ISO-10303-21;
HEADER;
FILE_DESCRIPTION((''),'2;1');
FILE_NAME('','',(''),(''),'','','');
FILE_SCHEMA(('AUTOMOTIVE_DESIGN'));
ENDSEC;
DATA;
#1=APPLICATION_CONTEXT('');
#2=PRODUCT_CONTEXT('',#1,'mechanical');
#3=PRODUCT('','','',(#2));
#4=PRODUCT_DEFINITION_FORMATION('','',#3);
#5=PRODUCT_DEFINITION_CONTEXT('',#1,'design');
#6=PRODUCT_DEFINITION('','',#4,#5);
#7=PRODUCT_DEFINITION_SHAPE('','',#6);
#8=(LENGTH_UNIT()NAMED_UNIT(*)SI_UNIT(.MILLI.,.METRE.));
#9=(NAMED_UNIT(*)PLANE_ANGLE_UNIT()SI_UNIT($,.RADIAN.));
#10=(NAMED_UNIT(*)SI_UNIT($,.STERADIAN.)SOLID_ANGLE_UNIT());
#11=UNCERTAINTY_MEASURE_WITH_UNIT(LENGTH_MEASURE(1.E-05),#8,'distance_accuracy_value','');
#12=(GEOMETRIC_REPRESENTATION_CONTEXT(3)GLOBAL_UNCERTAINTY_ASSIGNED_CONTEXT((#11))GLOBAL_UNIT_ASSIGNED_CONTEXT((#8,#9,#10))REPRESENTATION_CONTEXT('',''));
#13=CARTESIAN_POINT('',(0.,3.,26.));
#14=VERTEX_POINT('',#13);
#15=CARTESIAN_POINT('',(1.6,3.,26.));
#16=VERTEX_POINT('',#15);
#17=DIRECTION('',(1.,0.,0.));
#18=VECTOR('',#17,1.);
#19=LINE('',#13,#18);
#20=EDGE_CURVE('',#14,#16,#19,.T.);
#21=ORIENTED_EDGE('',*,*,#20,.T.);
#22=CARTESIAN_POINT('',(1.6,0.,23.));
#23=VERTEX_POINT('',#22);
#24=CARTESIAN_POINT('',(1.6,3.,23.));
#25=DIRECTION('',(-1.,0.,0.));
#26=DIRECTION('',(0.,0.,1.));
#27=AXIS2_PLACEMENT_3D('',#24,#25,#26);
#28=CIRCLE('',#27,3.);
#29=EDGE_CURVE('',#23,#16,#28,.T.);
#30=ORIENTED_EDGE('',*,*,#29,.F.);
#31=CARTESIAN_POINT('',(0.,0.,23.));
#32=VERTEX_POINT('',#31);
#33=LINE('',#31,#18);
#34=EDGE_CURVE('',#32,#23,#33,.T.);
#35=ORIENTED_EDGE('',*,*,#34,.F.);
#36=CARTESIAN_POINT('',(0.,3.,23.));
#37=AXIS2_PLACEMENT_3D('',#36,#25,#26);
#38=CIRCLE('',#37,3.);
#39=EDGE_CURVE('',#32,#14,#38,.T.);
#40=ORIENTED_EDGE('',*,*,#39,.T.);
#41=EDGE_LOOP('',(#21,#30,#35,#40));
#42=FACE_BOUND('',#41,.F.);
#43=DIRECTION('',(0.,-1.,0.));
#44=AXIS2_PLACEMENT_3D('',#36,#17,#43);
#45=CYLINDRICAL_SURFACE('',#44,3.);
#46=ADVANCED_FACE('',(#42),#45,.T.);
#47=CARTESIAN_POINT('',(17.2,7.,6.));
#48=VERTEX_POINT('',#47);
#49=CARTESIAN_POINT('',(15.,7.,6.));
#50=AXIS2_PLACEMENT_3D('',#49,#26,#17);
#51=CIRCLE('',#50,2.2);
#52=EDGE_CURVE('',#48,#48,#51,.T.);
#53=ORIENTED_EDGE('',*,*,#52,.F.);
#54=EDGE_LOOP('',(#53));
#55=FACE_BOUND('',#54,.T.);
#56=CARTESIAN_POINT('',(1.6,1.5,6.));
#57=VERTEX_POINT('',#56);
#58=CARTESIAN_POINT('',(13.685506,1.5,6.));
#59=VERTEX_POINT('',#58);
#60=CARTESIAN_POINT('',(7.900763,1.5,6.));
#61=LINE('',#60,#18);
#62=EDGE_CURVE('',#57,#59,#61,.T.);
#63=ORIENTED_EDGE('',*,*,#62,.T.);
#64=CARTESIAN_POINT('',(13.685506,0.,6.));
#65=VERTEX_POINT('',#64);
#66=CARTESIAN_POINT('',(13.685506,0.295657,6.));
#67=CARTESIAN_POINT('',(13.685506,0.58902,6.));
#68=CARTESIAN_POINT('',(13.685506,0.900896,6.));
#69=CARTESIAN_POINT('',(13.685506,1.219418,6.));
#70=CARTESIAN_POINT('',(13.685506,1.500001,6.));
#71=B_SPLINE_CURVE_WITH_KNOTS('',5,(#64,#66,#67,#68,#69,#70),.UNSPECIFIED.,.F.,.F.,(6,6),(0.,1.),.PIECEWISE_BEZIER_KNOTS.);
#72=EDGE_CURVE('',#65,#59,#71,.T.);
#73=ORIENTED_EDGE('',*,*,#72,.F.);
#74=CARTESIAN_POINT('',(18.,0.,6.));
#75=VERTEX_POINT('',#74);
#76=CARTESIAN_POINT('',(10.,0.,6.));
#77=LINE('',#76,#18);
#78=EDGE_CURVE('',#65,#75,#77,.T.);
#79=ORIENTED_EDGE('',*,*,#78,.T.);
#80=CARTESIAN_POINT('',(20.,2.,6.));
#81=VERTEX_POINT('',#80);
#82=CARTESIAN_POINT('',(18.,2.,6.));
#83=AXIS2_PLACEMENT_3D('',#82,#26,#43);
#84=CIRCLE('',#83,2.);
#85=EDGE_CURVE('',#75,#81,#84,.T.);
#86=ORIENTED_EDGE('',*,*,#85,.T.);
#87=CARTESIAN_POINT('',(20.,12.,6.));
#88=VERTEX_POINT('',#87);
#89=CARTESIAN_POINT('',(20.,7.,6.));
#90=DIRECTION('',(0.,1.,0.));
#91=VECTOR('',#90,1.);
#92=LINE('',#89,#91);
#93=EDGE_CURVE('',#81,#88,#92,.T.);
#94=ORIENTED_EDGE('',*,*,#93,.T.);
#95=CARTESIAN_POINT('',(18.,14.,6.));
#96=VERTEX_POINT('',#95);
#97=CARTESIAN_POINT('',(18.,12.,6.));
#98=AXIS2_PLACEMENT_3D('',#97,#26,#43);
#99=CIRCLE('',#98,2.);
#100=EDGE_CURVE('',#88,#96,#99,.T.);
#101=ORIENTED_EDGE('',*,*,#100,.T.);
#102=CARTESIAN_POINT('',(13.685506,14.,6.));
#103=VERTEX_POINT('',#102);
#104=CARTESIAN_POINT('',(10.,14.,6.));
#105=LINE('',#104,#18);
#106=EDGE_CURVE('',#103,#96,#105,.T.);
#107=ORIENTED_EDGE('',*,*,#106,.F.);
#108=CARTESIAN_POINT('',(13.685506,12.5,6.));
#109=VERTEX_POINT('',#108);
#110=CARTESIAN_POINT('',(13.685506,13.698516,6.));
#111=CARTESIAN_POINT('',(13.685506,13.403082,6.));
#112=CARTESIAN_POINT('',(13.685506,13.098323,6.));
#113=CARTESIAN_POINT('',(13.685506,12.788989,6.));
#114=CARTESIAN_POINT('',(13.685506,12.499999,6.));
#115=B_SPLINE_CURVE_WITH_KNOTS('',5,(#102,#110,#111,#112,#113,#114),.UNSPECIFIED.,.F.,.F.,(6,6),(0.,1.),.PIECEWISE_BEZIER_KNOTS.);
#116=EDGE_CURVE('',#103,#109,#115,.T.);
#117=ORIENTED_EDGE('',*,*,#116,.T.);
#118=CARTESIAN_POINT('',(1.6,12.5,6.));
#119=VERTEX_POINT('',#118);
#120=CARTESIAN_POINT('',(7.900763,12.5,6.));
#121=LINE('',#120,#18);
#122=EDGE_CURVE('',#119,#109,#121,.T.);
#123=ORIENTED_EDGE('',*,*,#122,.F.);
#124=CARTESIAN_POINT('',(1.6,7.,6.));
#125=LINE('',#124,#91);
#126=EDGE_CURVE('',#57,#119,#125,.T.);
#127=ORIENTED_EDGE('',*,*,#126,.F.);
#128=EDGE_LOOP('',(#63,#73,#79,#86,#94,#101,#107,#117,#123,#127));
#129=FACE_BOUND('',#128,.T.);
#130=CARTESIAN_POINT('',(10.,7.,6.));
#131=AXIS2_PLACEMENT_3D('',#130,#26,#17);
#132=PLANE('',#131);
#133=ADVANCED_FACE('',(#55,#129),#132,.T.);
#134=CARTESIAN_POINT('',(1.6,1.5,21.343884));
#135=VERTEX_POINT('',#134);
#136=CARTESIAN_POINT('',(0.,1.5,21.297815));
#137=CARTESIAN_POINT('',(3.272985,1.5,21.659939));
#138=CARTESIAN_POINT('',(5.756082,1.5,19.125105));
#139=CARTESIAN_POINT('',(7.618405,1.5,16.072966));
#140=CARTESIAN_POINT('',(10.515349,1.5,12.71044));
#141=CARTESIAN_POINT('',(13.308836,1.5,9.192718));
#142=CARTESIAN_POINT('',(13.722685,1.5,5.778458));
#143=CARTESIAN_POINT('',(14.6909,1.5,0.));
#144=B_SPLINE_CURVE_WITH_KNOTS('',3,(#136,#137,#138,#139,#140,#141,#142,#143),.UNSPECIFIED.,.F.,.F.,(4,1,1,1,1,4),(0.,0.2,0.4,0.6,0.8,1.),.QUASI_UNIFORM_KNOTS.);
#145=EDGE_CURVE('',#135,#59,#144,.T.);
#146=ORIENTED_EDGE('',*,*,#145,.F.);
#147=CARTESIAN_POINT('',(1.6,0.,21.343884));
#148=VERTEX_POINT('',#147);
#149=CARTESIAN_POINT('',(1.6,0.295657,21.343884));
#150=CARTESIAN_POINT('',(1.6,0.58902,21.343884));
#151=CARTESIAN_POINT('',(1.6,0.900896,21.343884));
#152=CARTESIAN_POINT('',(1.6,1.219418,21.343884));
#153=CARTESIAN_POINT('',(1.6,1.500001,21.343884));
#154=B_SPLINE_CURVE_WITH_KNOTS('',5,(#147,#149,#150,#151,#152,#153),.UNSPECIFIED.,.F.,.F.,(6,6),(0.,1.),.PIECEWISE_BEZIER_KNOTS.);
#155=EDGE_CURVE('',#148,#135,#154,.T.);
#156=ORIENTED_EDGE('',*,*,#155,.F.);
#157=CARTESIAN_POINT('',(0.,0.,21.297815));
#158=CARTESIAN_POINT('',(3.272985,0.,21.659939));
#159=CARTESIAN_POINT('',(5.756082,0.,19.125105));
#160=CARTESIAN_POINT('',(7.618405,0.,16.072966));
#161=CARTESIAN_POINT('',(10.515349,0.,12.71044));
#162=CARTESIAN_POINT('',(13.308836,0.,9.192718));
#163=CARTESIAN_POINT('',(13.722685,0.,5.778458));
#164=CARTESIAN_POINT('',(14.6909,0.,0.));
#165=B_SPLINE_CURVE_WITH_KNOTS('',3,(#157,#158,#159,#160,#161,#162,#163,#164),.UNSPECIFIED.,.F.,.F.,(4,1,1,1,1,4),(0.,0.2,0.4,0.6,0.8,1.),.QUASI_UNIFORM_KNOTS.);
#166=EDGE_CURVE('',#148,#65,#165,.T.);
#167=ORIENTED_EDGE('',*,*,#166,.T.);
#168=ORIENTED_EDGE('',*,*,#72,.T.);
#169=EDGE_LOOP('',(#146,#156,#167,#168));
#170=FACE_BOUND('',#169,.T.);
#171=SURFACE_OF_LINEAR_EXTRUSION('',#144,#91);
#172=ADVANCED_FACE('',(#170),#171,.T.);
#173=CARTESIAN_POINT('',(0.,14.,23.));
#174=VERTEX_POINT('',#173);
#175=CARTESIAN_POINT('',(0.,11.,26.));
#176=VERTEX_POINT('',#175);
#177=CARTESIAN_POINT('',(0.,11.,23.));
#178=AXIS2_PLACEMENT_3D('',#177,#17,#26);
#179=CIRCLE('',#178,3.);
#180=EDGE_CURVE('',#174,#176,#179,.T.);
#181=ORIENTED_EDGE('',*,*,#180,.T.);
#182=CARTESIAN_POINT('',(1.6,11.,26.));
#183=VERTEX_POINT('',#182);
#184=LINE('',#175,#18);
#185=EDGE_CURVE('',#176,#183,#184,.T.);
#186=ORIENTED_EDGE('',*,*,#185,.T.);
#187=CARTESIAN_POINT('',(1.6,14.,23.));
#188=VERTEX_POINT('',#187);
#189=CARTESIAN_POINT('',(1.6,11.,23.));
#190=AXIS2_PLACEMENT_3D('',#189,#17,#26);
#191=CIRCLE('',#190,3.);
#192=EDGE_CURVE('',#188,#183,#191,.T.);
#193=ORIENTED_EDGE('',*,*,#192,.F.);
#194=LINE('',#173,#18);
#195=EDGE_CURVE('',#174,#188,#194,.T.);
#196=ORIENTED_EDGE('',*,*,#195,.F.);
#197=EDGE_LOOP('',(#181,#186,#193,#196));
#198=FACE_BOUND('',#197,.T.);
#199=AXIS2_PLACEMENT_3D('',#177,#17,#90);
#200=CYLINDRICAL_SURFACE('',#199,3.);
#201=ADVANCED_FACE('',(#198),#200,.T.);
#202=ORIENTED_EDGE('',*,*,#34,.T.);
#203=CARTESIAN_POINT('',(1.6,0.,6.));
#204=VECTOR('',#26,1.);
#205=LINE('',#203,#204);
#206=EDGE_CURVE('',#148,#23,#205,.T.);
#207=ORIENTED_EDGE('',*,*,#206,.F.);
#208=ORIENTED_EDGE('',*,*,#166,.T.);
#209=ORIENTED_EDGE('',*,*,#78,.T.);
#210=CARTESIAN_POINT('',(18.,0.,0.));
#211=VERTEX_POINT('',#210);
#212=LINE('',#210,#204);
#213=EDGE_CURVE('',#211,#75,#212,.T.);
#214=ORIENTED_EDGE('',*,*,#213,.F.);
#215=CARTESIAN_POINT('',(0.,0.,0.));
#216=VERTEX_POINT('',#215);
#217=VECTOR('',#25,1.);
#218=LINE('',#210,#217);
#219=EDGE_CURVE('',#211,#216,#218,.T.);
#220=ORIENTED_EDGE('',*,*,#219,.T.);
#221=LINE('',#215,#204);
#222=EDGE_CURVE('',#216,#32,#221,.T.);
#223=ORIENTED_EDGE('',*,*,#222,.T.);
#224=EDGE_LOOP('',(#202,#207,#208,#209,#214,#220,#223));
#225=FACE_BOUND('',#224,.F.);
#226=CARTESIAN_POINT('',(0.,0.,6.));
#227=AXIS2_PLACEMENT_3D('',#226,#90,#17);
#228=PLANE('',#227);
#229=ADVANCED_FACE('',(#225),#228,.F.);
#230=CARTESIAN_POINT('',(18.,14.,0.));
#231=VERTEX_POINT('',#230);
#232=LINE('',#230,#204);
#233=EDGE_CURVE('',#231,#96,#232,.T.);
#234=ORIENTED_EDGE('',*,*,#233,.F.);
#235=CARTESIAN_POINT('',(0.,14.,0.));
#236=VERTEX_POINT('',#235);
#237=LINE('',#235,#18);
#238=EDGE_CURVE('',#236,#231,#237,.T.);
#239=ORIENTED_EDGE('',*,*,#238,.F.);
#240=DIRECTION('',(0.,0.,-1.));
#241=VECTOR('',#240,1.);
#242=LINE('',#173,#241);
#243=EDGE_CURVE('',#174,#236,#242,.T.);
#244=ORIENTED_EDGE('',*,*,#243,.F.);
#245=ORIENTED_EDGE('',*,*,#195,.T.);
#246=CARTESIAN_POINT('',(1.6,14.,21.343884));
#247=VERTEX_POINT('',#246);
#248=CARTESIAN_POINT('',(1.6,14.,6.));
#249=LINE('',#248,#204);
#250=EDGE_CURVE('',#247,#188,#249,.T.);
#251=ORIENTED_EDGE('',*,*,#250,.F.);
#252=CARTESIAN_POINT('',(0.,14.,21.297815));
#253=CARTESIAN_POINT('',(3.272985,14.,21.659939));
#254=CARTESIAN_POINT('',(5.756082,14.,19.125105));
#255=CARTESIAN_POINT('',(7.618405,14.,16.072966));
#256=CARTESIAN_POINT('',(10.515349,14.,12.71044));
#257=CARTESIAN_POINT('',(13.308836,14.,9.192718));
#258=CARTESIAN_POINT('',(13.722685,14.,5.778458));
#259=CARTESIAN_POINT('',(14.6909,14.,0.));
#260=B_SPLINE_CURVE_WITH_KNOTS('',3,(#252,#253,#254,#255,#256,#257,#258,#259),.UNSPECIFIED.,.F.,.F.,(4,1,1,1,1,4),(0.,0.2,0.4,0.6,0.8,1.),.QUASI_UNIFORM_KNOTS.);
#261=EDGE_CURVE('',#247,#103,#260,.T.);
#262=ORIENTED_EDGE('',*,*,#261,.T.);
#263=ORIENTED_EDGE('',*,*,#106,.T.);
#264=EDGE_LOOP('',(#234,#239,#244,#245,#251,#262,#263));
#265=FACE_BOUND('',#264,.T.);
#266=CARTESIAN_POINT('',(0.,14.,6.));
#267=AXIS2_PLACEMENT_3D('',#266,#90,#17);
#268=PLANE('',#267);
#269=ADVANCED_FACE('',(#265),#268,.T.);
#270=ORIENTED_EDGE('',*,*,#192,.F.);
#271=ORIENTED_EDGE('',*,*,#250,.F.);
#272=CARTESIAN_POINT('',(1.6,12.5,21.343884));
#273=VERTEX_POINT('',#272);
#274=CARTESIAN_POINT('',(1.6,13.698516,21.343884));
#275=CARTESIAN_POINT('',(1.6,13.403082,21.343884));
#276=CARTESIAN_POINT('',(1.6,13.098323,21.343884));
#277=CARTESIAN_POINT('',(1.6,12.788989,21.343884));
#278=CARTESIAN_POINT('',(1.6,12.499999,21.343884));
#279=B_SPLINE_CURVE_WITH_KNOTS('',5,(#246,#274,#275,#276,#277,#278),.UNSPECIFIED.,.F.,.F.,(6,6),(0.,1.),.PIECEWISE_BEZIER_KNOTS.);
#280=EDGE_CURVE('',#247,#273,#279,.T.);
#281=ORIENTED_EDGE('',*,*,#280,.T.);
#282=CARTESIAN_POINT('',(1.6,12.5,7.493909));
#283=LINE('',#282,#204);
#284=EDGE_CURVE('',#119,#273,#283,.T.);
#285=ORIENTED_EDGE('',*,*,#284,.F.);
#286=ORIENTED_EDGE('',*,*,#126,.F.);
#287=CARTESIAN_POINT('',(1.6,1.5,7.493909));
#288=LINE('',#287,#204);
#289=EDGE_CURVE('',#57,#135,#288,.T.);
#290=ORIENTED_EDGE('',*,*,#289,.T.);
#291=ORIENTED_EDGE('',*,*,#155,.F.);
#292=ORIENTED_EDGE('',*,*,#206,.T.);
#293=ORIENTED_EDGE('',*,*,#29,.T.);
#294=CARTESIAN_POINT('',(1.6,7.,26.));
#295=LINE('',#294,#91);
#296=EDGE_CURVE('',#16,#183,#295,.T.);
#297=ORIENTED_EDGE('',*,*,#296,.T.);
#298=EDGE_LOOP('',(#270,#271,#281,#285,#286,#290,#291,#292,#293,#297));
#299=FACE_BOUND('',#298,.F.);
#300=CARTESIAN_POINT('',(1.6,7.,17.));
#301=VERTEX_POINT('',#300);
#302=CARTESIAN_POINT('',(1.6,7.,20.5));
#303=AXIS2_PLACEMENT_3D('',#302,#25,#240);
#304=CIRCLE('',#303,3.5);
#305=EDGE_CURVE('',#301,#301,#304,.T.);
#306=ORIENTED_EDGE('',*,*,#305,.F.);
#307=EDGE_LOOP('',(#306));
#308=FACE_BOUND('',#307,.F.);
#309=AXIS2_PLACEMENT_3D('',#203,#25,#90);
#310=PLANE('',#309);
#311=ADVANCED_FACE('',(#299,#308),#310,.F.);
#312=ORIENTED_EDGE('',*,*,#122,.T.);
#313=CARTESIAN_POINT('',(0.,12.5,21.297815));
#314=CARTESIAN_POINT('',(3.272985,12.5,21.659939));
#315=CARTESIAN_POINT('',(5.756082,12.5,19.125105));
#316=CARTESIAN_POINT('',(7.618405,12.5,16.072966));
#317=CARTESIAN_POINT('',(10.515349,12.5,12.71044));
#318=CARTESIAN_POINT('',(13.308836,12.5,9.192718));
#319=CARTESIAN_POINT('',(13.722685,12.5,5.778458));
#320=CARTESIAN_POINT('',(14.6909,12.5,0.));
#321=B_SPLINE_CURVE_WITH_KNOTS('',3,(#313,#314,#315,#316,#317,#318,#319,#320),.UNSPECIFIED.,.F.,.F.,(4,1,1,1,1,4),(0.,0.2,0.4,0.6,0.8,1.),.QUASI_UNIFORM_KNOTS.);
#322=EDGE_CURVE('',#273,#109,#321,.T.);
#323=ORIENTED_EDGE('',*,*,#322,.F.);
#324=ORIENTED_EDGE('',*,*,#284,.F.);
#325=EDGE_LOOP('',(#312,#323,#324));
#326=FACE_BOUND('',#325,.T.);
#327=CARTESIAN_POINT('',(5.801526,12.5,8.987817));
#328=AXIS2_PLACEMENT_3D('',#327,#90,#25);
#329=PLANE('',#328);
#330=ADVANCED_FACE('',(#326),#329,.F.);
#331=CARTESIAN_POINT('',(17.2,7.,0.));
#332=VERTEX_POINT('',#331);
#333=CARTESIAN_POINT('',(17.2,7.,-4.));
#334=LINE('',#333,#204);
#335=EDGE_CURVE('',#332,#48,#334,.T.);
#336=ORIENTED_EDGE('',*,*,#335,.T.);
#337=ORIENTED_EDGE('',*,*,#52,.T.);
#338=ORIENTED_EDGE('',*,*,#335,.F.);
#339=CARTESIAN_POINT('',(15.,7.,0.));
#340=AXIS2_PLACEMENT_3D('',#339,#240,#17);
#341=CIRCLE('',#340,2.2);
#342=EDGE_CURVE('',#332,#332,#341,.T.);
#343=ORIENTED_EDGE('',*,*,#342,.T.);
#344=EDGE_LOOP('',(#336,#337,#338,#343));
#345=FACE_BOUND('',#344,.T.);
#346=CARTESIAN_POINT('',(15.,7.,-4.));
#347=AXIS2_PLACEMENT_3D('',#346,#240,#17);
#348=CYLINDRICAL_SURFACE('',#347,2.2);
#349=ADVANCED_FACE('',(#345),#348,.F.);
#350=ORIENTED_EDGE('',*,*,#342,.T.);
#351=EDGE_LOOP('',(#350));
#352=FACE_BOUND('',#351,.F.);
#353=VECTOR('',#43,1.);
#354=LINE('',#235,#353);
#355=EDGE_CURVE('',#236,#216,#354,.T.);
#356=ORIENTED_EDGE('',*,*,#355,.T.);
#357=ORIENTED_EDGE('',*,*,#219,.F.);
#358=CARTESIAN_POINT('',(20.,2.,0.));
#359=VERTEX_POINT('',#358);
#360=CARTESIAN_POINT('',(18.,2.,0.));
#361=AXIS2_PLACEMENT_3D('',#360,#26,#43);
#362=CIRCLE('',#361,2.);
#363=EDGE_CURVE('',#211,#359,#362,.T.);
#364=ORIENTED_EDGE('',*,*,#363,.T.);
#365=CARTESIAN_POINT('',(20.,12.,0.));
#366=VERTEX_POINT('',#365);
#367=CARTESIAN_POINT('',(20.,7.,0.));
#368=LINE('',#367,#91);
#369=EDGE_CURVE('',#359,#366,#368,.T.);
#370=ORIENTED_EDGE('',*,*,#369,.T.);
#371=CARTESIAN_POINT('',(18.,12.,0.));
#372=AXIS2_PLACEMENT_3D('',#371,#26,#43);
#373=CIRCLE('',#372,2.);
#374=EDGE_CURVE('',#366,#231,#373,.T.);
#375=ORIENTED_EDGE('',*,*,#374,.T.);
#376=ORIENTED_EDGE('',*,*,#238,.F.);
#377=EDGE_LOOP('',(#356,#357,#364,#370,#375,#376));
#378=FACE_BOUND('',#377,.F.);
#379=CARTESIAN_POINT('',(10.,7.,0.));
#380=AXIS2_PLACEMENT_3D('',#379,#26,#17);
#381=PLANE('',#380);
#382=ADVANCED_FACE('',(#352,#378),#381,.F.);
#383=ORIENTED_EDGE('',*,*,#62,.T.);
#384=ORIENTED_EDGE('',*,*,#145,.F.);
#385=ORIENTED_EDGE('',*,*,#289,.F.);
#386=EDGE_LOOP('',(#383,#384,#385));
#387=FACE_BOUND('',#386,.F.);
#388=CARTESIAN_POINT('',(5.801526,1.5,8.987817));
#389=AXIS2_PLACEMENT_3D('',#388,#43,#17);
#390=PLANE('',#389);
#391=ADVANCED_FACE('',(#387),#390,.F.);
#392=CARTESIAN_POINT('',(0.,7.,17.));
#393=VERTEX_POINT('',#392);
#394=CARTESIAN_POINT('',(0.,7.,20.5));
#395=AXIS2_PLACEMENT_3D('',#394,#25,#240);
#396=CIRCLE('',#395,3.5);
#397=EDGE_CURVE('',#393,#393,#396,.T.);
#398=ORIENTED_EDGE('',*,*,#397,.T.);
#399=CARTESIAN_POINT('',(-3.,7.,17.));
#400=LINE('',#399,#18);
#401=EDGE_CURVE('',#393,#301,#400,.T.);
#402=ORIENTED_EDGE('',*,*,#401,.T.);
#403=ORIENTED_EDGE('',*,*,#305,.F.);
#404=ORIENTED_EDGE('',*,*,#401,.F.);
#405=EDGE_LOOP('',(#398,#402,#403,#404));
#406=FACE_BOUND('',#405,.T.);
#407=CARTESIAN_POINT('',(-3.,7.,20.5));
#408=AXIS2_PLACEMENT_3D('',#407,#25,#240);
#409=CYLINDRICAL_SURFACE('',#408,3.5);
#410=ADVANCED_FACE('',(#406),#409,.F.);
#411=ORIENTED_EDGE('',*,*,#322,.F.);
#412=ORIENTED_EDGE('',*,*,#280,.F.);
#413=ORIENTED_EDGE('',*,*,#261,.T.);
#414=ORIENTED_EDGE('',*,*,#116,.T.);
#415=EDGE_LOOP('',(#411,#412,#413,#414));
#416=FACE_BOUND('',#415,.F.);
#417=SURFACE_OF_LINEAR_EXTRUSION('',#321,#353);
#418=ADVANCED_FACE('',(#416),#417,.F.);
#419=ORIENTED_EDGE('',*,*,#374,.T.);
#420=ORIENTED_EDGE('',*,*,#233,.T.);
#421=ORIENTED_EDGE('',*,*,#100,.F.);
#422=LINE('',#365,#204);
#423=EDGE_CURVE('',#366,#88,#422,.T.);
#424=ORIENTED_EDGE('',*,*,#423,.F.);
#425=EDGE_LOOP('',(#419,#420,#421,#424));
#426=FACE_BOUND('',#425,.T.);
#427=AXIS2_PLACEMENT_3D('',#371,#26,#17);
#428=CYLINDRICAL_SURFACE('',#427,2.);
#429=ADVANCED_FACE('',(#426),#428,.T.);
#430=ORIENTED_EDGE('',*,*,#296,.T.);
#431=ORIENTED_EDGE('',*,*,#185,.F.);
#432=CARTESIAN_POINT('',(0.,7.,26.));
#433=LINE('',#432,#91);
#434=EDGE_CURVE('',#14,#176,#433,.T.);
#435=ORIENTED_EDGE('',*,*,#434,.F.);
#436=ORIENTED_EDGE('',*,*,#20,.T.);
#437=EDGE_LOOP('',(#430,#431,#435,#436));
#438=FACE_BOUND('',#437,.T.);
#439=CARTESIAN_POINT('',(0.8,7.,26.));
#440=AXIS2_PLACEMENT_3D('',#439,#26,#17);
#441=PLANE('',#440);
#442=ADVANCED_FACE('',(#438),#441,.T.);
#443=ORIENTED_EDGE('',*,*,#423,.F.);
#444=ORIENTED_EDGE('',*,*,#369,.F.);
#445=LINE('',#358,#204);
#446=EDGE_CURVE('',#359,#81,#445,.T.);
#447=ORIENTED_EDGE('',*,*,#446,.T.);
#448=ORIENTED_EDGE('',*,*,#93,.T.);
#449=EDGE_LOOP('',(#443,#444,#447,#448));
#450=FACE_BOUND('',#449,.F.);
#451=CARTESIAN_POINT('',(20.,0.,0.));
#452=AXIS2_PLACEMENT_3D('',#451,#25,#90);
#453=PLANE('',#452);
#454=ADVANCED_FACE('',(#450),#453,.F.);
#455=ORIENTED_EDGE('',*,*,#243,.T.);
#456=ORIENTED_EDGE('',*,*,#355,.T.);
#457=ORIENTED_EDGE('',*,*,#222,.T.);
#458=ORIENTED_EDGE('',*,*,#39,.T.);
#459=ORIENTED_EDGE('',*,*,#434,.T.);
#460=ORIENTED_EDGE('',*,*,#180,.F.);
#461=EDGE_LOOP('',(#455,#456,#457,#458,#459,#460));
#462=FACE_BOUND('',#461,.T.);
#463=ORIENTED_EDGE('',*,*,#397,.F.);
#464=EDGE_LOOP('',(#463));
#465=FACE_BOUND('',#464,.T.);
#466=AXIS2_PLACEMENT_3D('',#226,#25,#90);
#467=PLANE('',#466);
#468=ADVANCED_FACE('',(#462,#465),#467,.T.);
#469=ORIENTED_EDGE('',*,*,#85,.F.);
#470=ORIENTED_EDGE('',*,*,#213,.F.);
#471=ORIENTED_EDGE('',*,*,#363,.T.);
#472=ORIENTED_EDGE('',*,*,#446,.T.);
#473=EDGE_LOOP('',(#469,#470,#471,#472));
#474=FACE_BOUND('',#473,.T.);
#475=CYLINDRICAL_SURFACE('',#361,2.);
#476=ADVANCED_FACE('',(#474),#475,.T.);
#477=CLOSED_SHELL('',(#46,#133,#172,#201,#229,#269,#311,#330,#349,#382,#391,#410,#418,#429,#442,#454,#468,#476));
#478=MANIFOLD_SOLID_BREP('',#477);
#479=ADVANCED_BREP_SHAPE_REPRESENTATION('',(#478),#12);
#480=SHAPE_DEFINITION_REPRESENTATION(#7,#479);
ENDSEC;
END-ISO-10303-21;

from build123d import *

# Parameters (mm, degrees)
PAD_DEPTH         = 1.5
CYLINDER001_R     = 2.2
CYLINDER001_DEPTH = 10
CYLINDER_R        = 3.5
CYLINDER_DEPTH    = 10
BOX001_W          = 1.6
BOX001_H          = 14
BOX001_DEPTH      = 20
FILLET001_R       = 3
BOX_W             = 20
BOX_H             = 14
BOX_DEPTH         = 6
FILLET_R          = 2


with BuildPart() as side_wall_body:
    # Sketch → Pad (new body)
    with BuildSketch(Plane.XZ):
        with BuildLine():
            Line((0, 21.297815), (0, 0))
            Line((0, 0), (14.6909, 0))
            add(Edge.make_bspline(
                [(0, 21.297815), (3.272985, 21.659939), (5.756082, 19.125105), (7.618405, 16.072966), (10.515349, 12.71044), (13.308836, 9.192718), (13.722685, 5.778458), (14.6909, 0)],
                knots=[0, 0, 0, 0, 0.2, 0.4, 0.6, 0.8, 1, 1, 1, 1], degree=3))
        make_face()
    extrude(amount=PAD_DEPTH)


with BuildPart() as side_wall_fusion:
    # Part__Mirroring: instance of side wall body
    add(side_wall_body.part.mirror(Plane(origin=(0, 5.5, 0), x_dir=(1, 0, 0), z_dir=(0, 1, 0))))

    # Fusion002: union side wall body
    add(side_wall_body.part)


with BuildPart() as side_wall_fusion_1:
    # Fusion002 placement: moved
    add(side_wall_fusion.part.moved(Location((0, 1.5, 0))))


with BuildPart() as bolt_hole:
    # Cylinder001 → Cylinder001 (new body)
    with BuildSketch(Plane(origin=(15, 7, -4), x_dir=(1, 0, 0), z_dir=(0, 0, 1))):
        Circle(CYLINDER001_R)
    extrude(amount=CYLINDER001_DEPTH)


with BuildPart() as hole_fusion:
    # Cylinder → Cylinder (new body)
    with BuildSketch(Plane(origin=(-3, 7, 20.5), x_dir=(0, 0, -1), z_dir=(1, 0, 0))):
        Circle(CYLINDER_R)
    extrude(amount=CYLINDER_DEPTH)

    # Fusion001: union bolt hole
    add(bolt_hole.part)


with BuildPart() as socket_fillet:
    # Box001 → Box001 (new body)
    with BuildSketch(Plane.XY.offset(6)):
        with Locations((0.8, 7)):
            Rectangle(BOX001_W, BOX001_H)
    extrude(amount=BOX001_DEPTH)

    # Fillet001
    fillet001_edges = [socket_fillet.edges().sort_by_distance(p)[0] for p in [
        (0.8, 0, 26),
        (0.8, 14, 26),
    ]]
    fillet(fillet001_edges, radius=FILLET001_R)


with BuildPart() as audio_socket_fusion:
    # Box → Box (new body)
    with BuildSketch(Plane.XY):
        with Locations((10, 7)):
            Rectangle(BOX_W, BOX_H)
    extrude(amount=BOX_DEPTH)

    # Fillet
    fillet_edges = [audio_socket_fusion.edges().sort_by_distance(p)[0] for p in [
        (20, 0, 3),
        (20, 14, 3),
    ]]
    fillet(fillet_edges, radius=FILLET_R)

    # Fusion: union socket fillet
    add(socket_fillet.part)

    # Cut: cut hole fusion
    add(hole_fusion.part, mode=Mode.SUBTRACT)

    # Fusion003: union side wall fusion
    add(side_wall_fusion_1.part)


solid = audio_socket_fusion.part
